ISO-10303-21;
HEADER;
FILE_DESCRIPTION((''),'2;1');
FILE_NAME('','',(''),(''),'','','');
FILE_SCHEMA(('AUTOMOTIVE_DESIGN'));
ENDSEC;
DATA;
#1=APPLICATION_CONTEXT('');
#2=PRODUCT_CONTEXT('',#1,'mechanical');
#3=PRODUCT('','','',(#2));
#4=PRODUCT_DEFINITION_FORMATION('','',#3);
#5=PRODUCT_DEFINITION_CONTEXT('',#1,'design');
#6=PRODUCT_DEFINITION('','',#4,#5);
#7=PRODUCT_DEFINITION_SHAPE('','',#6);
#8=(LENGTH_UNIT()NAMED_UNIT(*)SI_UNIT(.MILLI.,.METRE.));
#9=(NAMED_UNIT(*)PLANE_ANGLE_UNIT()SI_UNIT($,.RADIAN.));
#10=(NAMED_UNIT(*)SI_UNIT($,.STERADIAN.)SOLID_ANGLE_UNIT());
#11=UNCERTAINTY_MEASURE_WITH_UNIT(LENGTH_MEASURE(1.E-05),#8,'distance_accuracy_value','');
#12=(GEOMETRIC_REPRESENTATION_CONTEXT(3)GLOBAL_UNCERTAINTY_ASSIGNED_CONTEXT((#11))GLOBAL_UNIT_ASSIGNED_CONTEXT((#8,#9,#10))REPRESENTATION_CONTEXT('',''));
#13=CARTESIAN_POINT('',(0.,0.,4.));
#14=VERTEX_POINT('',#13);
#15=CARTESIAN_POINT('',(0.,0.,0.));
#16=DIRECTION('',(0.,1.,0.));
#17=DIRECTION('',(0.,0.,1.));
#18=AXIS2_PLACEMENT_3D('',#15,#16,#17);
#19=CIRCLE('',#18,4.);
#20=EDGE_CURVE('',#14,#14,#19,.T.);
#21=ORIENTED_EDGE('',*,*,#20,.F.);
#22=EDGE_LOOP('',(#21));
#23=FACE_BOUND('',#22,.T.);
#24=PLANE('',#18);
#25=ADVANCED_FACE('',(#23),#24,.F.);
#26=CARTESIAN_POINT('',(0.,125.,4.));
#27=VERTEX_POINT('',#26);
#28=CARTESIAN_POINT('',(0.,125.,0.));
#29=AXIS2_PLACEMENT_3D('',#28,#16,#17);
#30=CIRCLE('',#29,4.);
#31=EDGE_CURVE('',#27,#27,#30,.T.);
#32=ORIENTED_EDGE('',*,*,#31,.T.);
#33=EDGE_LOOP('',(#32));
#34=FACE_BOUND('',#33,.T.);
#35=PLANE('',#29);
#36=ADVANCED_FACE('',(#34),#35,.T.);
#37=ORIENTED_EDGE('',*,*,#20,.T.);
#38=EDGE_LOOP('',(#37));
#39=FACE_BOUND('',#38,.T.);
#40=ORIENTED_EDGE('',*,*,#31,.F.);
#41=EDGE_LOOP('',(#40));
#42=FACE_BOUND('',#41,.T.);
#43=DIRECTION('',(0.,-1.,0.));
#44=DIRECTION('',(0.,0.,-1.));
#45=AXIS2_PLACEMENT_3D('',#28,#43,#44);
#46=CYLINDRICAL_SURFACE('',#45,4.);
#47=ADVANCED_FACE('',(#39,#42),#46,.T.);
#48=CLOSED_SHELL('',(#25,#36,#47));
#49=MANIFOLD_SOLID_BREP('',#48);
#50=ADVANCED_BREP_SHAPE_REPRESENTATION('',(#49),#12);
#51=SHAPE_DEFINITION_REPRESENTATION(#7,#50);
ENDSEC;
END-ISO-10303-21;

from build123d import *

# Parameters (mm, degrees)
SKETCH1_R           = 4
BOSS_EXTRUDE1_DEPTH = 125


with BuildPart() as part:
    # Sketch1 → Boss-Extrude1 (new body)
    with BuildSketch(Plane(origin=(0, 0, 0), x_dir=(1, 0, 0), z_dir=(0, 1, 0))):
        with Locations(Location((0, 0, 0), (0, 0, 270))):
            Circle(SKETCH1_R)
    extrude(amount=BOSS_EXTRUDE1_DEPTH)


solid = part.part
